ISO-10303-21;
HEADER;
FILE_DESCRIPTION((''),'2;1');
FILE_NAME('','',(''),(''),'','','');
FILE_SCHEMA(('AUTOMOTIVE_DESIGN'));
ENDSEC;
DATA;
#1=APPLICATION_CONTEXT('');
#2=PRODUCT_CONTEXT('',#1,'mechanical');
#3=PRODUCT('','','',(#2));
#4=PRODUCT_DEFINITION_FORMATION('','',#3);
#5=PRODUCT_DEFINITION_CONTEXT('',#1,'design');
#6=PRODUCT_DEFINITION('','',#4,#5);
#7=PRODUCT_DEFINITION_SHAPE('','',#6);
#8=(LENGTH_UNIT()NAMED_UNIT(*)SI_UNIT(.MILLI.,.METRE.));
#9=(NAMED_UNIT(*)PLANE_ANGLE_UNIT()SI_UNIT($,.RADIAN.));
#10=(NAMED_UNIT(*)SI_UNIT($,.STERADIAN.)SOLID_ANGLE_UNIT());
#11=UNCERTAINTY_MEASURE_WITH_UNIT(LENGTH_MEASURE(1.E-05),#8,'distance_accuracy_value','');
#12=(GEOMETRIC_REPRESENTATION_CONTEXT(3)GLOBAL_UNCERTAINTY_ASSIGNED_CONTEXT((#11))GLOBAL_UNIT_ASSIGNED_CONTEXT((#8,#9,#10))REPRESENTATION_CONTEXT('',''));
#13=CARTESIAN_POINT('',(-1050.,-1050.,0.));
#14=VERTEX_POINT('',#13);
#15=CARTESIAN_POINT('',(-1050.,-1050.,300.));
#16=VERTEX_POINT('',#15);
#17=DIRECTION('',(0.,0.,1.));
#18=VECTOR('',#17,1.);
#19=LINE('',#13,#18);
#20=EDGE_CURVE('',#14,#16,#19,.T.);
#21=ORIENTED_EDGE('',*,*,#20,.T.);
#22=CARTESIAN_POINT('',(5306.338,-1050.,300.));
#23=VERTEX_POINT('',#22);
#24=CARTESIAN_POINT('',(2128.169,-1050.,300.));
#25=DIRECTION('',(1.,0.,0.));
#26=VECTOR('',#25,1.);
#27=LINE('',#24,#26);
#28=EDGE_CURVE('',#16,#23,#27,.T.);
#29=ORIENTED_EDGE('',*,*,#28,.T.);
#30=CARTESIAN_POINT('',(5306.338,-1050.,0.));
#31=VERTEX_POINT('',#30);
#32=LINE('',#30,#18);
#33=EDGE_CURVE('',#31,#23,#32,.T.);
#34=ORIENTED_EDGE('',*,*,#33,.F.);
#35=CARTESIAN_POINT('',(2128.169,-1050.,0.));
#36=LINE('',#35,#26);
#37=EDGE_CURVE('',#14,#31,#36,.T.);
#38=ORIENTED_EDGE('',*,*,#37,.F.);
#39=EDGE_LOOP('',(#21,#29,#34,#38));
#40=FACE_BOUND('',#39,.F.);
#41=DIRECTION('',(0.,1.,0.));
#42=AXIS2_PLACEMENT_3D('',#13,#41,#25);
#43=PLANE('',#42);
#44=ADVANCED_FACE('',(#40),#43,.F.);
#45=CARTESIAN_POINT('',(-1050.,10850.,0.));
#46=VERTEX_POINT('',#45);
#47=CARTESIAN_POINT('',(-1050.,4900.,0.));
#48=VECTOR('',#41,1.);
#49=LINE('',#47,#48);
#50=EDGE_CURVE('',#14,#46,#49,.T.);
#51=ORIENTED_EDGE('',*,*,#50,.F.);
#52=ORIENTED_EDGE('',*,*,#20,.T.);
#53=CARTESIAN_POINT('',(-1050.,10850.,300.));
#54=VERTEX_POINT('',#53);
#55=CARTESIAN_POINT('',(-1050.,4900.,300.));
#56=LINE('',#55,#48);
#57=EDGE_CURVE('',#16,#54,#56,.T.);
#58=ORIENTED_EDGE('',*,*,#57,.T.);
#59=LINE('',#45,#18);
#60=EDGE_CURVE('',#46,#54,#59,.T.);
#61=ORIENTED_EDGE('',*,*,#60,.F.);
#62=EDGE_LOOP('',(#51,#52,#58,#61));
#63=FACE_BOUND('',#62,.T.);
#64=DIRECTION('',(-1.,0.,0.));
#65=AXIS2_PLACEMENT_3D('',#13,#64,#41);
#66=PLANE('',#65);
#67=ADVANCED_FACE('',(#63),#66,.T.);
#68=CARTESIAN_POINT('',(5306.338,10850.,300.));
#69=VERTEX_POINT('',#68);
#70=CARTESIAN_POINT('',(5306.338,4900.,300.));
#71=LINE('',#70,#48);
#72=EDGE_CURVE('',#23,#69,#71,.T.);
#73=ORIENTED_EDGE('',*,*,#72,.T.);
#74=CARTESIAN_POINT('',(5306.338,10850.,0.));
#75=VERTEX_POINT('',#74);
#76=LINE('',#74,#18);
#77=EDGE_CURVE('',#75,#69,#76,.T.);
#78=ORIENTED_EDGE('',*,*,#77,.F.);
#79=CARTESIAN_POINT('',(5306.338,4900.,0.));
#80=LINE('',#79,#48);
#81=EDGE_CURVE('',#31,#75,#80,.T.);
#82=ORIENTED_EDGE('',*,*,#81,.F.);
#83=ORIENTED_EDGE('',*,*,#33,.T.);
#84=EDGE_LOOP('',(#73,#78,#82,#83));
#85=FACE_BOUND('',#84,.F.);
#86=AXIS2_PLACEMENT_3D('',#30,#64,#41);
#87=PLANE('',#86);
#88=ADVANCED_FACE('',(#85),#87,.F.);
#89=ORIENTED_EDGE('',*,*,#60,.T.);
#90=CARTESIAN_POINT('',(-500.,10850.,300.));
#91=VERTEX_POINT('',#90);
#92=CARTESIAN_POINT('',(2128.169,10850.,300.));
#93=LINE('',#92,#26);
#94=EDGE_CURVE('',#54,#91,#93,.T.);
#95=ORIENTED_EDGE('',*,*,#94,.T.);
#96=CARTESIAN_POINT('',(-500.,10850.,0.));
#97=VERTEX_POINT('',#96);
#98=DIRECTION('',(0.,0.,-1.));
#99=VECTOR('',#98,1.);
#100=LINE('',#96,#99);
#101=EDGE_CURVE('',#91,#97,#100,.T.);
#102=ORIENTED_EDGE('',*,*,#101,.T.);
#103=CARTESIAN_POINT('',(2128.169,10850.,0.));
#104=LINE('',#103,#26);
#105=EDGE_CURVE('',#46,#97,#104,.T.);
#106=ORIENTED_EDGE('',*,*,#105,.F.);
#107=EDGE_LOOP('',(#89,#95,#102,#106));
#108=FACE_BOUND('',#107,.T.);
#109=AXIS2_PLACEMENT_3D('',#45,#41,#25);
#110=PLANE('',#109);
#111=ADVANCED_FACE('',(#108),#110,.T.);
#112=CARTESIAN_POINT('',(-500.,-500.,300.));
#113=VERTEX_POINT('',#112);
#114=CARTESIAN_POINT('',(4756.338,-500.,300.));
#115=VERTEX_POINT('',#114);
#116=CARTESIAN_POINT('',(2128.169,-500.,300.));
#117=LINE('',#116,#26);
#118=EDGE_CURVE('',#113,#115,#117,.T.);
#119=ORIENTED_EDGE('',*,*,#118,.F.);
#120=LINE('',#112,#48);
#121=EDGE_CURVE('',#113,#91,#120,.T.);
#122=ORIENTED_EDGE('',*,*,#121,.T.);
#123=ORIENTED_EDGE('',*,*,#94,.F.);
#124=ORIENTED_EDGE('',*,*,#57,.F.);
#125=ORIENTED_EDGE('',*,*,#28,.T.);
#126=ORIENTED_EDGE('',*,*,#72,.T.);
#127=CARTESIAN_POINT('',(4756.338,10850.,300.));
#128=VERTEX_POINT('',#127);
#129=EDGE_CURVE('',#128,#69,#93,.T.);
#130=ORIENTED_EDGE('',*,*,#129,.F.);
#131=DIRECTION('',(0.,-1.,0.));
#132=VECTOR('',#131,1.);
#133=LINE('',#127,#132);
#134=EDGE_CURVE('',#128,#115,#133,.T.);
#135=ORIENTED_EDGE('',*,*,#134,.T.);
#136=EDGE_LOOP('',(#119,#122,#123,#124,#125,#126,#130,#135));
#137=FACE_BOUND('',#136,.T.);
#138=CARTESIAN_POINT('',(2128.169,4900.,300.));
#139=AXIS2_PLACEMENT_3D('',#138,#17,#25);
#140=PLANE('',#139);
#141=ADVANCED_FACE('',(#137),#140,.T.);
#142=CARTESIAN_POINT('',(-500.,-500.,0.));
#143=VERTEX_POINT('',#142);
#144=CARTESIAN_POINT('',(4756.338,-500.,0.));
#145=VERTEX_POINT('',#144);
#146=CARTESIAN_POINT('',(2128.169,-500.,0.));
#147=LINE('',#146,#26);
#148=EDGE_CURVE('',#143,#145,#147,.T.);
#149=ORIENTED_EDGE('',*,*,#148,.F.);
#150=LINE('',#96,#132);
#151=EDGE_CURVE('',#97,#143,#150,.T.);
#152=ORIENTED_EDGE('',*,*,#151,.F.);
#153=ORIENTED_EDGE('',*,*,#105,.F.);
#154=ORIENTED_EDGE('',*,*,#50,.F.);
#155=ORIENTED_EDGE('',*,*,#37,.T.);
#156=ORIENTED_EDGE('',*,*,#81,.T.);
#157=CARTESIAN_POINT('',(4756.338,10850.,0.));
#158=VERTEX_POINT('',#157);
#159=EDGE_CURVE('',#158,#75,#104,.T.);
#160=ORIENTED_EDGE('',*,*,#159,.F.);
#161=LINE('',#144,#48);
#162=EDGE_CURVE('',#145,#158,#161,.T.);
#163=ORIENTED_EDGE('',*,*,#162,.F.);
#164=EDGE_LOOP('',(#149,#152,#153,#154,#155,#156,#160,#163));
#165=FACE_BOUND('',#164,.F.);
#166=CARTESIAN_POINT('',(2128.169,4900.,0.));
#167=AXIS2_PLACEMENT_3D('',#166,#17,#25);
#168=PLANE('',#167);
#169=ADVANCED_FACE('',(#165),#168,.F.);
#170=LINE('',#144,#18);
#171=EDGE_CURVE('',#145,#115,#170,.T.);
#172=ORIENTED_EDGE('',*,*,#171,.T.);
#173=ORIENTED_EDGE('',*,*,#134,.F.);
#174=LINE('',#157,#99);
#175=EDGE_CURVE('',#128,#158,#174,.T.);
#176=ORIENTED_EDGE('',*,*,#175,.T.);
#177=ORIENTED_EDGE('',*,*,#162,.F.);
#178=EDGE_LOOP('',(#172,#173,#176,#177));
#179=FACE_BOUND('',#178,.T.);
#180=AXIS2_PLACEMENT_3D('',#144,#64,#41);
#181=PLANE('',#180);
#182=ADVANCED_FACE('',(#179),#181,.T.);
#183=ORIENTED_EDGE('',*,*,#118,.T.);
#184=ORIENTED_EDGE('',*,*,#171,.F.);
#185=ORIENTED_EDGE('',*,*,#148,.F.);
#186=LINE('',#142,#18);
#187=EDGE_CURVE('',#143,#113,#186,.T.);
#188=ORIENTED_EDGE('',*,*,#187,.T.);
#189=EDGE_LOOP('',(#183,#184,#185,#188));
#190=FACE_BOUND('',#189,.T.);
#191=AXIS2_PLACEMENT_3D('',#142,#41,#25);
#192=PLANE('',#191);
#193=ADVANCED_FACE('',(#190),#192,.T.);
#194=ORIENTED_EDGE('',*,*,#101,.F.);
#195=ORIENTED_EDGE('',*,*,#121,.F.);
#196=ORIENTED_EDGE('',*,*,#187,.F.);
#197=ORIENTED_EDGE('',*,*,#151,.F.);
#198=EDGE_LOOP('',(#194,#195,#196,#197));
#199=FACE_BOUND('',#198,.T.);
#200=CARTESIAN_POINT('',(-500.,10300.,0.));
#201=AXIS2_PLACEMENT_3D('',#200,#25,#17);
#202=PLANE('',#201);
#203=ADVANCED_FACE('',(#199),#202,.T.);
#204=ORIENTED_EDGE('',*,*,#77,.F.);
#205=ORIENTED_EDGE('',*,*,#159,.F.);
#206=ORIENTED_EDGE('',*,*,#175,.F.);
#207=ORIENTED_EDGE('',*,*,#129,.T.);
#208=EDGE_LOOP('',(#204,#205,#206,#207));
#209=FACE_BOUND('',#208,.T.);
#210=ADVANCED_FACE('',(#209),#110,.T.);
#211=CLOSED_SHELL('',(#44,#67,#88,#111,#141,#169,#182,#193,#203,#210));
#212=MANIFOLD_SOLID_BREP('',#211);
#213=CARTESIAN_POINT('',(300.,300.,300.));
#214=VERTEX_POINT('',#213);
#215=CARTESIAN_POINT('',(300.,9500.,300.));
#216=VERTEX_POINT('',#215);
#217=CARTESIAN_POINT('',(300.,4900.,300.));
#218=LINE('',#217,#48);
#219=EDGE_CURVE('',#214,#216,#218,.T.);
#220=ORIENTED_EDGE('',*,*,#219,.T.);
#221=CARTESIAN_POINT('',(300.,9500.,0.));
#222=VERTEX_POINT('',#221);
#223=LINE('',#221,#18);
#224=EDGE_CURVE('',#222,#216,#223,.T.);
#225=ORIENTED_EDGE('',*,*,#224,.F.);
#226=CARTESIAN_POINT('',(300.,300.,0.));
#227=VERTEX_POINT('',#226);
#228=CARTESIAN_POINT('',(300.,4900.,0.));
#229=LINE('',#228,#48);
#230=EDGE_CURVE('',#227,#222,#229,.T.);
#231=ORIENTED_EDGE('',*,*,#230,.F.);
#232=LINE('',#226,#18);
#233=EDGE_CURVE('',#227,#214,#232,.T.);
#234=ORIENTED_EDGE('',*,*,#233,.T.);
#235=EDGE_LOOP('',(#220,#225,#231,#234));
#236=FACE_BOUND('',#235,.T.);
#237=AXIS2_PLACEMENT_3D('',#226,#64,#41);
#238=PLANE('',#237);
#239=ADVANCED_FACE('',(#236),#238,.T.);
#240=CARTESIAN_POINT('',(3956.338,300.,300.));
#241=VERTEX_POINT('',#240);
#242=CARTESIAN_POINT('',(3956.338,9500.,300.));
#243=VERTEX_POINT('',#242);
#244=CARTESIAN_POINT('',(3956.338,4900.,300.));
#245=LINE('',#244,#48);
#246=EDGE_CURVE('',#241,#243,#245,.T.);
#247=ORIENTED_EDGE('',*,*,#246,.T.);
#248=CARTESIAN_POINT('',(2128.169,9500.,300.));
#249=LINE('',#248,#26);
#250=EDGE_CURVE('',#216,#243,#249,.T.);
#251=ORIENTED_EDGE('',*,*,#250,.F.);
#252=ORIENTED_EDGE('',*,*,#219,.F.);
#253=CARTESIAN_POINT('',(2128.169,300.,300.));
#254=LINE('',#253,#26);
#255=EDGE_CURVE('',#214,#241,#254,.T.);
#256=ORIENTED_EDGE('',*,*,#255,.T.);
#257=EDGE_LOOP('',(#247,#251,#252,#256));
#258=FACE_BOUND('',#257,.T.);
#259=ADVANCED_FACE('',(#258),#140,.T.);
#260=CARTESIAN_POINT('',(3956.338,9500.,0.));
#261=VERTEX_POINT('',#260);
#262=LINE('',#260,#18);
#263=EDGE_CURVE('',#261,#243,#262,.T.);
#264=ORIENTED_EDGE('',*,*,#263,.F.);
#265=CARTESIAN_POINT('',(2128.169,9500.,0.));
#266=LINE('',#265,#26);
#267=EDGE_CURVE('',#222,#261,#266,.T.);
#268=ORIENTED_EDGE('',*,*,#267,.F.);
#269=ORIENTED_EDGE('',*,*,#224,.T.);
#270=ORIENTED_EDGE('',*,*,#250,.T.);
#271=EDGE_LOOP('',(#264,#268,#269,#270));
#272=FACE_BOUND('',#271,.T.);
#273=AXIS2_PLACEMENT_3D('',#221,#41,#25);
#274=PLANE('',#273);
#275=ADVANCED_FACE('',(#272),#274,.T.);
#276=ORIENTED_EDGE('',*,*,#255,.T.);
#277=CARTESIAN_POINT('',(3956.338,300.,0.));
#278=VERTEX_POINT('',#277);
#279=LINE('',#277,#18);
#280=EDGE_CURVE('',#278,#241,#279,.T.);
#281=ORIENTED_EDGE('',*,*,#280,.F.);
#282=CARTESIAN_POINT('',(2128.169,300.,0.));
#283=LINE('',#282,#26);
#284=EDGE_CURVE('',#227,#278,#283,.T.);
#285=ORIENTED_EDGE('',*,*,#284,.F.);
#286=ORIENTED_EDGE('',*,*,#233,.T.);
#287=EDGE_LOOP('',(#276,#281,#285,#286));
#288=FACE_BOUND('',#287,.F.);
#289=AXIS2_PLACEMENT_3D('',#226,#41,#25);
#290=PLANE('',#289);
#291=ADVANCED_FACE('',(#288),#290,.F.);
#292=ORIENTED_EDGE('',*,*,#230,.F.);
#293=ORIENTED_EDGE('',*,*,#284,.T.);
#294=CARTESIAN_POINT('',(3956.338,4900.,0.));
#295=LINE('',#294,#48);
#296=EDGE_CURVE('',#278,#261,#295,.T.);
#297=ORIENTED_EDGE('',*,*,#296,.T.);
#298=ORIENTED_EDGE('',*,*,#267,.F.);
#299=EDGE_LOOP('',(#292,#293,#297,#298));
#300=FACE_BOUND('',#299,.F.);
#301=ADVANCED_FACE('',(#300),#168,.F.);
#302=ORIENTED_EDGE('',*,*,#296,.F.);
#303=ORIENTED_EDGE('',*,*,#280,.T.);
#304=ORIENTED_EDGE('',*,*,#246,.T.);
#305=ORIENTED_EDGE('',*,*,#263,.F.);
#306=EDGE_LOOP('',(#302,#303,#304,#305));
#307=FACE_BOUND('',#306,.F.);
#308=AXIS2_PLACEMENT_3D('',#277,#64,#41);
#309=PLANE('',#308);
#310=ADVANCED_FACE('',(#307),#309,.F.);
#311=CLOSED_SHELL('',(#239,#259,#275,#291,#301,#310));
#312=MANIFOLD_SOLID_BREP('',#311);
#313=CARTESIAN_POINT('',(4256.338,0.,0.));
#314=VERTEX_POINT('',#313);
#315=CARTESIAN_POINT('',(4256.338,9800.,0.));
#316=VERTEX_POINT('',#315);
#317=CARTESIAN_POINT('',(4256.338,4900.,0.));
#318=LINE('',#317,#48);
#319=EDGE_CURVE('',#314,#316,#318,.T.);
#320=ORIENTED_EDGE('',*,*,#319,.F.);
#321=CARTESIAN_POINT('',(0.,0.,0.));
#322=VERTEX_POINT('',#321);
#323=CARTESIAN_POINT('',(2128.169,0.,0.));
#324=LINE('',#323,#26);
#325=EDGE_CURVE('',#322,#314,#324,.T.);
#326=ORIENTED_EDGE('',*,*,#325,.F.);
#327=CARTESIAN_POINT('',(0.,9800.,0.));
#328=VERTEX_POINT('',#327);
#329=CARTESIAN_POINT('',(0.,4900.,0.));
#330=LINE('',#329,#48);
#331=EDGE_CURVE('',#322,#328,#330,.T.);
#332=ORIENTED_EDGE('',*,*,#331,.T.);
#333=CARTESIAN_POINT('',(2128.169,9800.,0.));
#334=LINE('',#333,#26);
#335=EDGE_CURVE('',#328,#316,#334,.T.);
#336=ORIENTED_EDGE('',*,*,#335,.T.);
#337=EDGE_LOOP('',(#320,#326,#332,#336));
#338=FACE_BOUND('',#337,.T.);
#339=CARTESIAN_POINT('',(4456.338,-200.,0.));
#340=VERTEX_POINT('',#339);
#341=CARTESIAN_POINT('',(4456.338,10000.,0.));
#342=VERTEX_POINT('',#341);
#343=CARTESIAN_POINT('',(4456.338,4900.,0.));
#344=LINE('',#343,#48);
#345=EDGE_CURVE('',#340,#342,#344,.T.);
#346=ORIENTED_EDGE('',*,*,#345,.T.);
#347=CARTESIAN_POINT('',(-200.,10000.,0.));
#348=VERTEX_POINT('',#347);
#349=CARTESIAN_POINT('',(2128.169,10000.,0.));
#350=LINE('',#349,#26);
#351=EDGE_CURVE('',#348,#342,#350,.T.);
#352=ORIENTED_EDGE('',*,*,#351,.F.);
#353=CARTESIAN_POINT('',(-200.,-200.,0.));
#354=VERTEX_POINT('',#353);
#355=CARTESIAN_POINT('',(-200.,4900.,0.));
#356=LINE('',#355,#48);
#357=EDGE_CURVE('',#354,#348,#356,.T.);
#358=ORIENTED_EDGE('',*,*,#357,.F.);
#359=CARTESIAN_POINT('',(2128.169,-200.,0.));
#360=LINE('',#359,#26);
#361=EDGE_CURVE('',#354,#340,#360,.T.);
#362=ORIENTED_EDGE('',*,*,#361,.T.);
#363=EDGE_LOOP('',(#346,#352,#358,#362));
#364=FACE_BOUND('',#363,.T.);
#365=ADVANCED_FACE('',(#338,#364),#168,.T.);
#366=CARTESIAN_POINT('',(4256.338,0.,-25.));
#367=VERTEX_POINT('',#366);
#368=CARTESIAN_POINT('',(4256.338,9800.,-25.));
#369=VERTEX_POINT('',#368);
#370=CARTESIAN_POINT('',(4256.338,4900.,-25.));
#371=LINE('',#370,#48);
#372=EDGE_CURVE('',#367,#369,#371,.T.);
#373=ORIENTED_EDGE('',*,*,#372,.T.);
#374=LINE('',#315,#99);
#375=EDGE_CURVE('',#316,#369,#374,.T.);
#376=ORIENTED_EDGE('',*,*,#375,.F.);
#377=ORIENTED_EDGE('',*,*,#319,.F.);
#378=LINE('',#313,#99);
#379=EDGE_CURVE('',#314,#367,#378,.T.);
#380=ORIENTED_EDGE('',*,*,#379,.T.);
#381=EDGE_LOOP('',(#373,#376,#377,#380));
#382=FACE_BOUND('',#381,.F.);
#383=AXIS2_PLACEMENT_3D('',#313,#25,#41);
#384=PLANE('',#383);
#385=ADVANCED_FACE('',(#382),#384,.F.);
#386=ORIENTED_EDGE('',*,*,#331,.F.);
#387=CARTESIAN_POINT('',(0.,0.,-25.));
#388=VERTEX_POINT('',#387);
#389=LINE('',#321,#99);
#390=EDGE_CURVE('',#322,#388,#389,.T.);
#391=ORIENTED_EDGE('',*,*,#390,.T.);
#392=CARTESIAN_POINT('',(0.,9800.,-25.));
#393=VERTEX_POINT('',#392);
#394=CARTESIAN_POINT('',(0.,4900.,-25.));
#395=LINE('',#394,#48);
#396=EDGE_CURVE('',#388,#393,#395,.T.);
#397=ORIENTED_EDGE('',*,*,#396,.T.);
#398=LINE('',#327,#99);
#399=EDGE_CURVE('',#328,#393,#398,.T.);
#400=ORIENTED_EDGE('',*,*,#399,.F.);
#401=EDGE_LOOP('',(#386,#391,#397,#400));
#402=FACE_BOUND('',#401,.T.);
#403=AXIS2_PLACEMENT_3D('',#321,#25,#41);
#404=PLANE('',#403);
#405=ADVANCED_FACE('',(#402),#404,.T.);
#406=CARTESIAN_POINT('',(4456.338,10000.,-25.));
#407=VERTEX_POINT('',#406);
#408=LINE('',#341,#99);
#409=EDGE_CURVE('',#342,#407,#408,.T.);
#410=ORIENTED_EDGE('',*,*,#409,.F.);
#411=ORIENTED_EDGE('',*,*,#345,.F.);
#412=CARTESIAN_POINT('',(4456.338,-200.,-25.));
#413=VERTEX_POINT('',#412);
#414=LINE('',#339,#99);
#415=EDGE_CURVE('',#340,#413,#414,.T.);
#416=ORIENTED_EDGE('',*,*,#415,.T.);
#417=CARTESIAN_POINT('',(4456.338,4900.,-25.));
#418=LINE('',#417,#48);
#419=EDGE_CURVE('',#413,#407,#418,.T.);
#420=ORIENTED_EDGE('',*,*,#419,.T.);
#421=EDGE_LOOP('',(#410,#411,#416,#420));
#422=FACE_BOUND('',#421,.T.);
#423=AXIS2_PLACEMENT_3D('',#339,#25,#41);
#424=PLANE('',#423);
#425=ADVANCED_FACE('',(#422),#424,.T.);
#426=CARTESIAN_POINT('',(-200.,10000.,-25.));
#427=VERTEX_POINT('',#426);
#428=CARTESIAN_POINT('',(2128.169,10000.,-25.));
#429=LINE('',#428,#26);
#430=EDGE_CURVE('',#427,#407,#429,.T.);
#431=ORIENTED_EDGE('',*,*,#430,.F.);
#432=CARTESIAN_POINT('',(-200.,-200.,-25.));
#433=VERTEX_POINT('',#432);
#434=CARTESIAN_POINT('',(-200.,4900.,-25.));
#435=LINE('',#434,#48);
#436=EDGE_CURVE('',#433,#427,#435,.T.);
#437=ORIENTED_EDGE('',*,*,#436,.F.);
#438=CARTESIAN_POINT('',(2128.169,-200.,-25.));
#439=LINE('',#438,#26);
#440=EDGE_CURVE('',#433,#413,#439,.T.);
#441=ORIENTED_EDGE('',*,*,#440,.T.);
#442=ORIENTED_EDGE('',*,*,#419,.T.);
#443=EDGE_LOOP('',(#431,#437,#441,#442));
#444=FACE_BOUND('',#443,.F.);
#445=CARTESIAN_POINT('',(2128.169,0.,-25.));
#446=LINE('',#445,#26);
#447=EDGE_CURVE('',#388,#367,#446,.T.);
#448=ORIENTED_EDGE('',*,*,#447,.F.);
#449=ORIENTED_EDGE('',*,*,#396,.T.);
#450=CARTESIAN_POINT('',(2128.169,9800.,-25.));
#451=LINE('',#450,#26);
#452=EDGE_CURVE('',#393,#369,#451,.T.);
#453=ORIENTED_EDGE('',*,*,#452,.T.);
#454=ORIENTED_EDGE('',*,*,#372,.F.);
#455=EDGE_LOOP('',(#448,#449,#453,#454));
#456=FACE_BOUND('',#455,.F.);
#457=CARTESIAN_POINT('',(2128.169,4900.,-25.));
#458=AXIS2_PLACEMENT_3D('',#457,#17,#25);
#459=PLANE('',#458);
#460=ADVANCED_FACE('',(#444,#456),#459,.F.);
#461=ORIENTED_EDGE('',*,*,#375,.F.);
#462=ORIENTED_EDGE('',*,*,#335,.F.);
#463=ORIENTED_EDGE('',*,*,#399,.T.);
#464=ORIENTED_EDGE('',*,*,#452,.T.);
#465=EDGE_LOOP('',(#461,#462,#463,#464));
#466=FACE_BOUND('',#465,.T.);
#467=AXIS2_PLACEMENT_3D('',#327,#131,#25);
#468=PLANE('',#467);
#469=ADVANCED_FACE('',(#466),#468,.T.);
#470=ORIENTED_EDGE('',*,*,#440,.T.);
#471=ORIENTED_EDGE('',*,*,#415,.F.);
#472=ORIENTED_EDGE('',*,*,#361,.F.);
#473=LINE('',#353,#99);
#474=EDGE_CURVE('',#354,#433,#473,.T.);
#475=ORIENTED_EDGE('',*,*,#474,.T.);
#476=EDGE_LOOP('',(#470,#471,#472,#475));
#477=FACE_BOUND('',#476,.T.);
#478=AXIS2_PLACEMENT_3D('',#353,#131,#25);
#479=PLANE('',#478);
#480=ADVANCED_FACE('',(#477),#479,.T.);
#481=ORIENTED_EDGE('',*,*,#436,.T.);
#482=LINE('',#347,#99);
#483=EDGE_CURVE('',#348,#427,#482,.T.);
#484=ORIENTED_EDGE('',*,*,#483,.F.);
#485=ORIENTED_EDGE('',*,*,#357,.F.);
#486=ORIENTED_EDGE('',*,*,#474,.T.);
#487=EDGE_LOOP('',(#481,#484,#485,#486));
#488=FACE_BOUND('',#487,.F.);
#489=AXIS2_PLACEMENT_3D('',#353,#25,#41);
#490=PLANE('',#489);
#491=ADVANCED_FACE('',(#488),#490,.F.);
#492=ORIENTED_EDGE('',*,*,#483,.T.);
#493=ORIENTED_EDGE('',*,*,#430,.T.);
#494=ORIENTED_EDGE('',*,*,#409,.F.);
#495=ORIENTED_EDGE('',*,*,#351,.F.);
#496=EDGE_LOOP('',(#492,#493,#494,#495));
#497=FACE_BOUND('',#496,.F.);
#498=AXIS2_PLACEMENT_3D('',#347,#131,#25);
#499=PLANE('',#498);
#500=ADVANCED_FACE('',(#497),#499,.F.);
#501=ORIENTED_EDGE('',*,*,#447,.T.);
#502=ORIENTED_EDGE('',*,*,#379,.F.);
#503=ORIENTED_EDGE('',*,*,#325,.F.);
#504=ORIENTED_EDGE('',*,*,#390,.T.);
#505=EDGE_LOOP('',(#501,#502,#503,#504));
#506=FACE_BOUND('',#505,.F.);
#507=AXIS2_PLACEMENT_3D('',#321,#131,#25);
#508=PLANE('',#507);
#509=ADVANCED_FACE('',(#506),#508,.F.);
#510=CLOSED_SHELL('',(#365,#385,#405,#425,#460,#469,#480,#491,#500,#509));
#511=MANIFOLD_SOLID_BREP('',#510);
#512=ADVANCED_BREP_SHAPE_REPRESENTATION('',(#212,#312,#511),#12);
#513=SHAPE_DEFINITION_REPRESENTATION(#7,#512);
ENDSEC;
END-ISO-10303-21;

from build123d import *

# Parameters (mm, degrees)
F0_W     = 3656.338
F0_H     = 9200
F1_DEPTH = 300
F2_W     = 6356.338
F2_H     = 11900
F2_W_2   = 5256.338
F2_H_2   = 10800
F3_DEPTH = 300
F0_W_2   = 4656.338
F0_H_2   = 10200
F0_W_3   = 4256.338
F0_H_3   = 9800
F4_DEPTH = 25
F5_W     = 5256.338
F5_H     = 300
F6_DEPTH = 550.001


with BuildPart() as f1:
    # F0 (on Top) → F1 (new body)
    with BuildSketch(Plane.XY):
        with Locations((2128.169, 4900)):
            Rectangle(F0_W, F0_H)
    extrude(amount=F1_DEPTH)


with BuildPart() as f3:
    # F2 (on face) → F3 (new body)
    with BuildSketch(Plane.XY):
        with Locations((2128.169, 4900)):
            Rectangle(F2_W, F2_H)
        with Locations((2128.169, 4900)):
            Rectangle(F2_W_2, F2_H_2, mode=Mode.SUBTRACT)
    extrude(amount=F3_DEPTH)

    # F5 (on face) → F6 (cut, through all)
    with BuildSketch(Plane.XZ.offset(-10300)):
        with Locations((2128.169, 150)):
            Rectangle(F5_W, F5_H)
    extrude(amount=-F6_DEPTH, mode=Mode.SUBTRACT)


with BuildPart() as f4:
    # F0 (on Top) → F4 (new body)
    with BuildSketch(Plane.XY):
        with Locations((2128.169, 4900)):
            Rectangle(F0_W_2, F0_H_2)
        with Locations((2128.169, 4900)):
            Rectangle(F0_W_3, F0_H_3, mode=Mode.SUBTRACT)
    extrude(amount=-F4_DEPTH)


solid = Compound([f1.part, f3.part, f4.part])
